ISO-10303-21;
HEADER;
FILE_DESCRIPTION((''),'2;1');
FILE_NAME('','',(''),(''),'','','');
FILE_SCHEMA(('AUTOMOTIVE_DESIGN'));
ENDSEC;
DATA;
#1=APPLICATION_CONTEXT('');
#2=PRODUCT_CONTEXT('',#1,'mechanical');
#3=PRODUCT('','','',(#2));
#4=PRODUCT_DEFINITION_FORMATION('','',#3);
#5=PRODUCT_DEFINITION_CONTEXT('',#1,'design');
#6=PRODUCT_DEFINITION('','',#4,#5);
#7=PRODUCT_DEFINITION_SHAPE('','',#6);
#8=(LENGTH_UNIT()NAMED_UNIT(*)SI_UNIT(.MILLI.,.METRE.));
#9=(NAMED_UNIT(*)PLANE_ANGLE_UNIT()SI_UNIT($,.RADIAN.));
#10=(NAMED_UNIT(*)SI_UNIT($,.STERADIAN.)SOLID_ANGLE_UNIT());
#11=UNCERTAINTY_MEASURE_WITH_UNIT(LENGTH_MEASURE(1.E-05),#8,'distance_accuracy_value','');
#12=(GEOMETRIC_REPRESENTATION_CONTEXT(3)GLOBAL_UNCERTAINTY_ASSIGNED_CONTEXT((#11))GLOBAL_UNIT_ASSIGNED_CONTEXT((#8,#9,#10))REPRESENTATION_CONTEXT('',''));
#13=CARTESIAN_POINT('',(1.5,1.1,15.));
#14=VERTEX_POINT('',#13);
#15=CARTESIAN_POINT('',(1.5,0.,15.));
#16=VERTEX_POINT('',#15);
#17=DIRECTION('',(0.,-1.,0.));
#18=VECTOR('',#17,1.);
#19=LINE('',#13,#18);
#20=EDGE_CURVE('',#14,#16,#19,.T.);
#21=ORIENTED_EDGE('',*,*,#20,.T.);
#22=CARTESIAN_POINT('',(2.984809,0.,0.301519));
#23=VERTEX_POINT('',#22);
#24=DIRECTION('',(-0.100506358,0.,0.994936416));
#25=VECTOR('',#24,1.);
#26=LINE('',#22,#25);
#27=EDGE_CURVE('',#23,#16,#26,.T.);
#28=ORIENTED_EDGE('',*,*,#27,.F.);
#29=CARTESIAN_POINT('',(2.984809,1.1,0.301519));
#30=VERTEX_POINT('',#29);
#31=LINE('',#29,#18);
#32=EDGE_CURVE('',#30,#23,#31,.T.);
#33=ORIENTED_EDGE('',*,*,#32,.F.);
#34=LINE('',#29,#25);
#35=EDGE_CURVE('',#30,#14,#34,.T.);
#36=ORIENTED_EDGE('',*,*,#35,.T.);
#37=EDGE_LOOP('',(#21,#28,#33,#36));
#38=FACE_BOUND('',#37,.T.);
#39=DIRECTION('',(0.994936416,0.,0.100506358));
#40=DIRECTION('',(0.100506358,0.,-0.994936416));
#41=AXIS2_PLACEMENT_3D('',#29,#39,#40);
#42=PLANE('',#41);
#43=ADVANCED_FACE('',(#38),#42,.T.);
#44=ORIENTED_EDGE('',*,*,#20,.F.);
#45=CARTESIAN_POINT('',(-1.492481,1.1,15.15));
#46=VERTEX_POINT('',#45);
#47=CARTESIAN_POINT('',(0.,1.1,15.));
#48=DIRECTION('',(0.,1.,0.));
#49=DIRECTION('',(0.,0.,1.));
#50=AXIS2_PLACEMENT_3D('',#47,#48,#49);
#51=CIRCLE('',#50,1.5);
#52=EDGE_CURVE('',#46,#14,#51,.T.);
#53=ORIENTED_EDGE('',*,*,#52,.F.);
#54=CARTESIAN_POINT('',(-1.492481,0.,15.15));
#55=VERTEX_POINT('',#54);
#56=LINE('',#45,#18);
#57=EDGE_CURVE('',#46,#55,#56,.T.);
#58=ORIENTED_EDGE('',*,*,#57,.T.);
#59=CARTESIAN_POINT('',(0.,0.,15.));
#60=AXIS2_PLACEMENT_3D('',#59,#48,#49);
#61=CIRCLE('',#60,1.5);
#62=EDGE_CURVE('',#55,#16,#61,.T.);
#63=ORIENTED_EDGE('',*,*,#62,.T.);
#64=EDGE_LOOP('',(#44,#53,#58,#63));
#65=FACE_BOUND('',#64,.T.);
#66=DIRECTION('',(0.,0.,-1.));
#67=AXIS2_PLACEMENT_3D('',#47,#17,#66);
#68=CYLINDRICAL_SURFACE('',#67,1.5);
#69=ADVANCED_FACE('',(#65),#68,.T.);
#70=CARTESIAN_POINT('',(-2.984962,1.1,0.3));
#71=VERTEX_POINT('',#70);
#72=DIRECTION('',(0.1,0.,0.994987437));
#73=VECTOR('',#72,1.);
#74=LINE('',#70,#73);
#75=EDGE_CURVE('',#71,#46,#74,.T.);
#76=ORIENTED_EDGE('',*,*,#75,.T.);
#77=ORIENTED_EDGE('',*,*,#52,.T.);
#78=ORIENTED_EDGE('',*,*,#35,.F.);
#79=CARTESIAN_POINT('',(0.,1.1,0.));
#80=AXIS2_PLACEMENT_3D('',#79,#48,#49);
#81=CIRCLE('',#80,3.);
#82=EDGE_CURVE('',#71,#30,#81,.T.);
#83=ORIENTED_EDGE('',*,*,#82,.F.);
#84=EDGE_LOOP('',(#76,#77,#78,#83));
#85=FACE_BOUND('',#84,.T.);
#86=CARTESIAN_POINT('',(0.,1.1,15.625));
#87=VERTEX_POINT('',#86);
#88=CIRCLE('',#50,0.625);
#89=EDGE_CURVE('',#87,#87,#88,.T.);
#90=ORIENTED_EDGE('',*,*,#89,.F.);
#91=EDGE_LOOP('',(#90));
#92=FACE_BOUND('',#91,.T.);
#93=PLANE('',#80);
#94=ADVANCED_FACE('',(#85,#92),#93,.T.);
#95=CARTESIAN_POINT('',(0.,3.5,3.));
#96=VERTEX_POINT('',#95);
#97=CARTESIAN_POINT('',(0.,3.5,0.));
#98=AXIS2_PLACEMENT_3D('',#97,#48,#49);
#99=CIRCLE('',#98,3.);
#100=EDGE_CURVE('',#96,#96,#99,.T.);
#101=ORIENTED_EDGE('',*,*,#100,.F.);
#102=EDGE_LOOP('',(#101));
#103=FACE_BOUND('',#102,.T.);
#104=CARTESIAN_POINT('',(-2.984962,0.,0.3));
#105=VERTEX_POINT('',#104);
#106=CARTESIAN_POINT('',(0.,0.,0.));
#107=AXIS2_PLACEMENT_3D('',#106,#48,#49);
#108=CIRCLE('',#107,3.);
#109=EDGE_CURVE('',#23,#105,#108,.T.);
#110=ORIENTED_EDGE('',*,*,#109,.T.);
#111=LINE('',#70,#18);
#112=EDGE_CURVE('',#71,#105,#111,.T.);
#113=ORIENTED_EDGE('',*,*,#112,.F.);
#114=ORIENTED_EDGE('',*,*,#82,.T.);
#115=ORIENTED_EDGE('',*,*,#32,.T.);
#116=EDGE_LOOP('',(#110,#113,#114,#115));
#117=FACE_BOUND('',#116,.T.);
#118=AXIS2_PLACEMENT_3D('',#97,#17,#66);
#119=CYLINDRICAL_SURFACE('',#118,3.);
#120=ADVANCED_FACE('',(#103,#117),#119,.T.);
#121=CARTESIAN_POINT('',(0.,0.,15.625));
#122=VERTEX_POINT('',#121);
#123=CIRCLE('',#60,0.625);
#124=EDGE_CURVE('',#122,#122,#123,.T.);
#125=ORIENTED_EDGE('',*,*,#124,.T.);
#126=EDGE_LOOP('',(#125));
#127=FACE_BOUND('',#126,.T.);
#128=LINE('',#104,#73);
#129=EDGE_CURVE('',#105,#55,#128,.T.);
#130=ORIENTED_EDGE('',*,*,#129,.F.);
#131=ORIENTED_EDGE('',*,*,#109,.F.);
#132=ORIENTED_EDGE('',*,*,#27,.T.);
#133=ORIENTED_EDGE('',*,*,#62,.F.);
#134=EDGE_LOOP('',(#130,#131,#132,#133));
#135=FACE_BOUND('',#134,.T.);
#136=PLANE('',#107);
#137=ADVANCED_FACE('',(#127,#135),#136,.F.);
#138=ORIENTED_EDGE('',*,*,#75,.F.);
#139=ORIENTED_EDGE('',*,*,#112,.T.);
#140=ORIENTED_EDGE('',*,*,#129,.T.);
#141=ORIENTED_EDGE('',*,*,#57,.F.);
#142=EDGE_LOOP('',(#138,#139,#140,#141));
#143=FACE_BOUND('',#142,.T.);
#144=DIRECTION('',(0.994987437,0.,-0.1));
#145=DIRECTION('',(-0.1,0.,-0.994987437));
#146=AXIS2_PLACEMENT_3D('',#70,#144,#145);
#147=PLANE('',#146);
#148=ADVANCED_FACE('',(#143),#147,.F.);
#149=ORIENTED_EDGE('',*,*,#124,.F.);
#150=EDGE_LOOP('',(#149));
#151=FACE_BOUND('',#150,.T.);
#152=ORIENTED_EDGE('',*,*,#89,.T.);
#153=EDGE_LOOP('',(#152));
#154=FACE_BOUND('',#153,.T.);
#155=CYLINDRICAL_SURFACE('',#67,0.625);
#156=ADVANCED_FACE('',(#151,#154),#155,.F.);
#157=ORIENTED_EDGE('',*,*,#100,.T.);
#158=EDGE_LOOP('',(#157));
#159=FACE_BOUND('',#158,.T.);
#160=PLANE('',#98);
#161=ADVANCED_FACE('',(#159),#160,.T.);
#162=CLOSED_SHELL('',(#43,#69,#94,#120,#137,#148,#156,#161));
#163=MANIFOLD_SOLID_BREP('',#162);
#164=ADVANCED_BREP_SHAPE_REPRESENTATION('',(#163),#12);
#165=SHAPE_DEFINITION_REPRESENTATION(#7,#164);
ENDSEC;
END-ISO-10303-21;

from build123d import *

# Parameters (mm, degrees)
SKETCH1_R           = 3
BOSS_EXTRUDE1_DEPTH = 3.5
SKETCH2_R           = 1.5
SKETCH2_R_2         = 0.625
BOSS_EXTRUDE2_DEPTH = 1.1


with BuildPart() as part:
    # Sketch1 → Boss-Extrude1 (new body)
    with BuildSketch(Plane(origin=(0, 0, 0), x_dir=(1, 0, 0), z_dir=(0, 1, 0))):
        Circle(SKETCH1_R)
    extrude(amount=BOSS_EXTRUDE1_DEPTH)

    # Sketch2 → Boss-Extrude2 (add)
    with BuildSketch(Plane(origin=(0, 0, 0), x_dir=(1, 0, 0), z_dir=(0, 1, 0))):
        with Locations((0, -15)):
            Circle(SKETCH2_R)
        with Locations((0, -15)):
            Circle(SKETCH2_R_2, mode=Mode.SUBTRACT)
        with BuildLine():
            ThreePointArc((2.984809248, -0.301519075), (-0.000763384, -2.999999903), (-2.984962311, -0.3))
            Line((-2.984962311, -0.3), (-1.492481156, -15.15))
            ThreePointArc((-1.492481156, -15.15), (-0.075094163, -13.50188089), (1.5, -15))
            Line((1.5, -15), (2.984809248, -0.301519075))
        make_face()
    extrude(amount=BOSS_EXTRUDE2_DEPTH)


solid = part.part
